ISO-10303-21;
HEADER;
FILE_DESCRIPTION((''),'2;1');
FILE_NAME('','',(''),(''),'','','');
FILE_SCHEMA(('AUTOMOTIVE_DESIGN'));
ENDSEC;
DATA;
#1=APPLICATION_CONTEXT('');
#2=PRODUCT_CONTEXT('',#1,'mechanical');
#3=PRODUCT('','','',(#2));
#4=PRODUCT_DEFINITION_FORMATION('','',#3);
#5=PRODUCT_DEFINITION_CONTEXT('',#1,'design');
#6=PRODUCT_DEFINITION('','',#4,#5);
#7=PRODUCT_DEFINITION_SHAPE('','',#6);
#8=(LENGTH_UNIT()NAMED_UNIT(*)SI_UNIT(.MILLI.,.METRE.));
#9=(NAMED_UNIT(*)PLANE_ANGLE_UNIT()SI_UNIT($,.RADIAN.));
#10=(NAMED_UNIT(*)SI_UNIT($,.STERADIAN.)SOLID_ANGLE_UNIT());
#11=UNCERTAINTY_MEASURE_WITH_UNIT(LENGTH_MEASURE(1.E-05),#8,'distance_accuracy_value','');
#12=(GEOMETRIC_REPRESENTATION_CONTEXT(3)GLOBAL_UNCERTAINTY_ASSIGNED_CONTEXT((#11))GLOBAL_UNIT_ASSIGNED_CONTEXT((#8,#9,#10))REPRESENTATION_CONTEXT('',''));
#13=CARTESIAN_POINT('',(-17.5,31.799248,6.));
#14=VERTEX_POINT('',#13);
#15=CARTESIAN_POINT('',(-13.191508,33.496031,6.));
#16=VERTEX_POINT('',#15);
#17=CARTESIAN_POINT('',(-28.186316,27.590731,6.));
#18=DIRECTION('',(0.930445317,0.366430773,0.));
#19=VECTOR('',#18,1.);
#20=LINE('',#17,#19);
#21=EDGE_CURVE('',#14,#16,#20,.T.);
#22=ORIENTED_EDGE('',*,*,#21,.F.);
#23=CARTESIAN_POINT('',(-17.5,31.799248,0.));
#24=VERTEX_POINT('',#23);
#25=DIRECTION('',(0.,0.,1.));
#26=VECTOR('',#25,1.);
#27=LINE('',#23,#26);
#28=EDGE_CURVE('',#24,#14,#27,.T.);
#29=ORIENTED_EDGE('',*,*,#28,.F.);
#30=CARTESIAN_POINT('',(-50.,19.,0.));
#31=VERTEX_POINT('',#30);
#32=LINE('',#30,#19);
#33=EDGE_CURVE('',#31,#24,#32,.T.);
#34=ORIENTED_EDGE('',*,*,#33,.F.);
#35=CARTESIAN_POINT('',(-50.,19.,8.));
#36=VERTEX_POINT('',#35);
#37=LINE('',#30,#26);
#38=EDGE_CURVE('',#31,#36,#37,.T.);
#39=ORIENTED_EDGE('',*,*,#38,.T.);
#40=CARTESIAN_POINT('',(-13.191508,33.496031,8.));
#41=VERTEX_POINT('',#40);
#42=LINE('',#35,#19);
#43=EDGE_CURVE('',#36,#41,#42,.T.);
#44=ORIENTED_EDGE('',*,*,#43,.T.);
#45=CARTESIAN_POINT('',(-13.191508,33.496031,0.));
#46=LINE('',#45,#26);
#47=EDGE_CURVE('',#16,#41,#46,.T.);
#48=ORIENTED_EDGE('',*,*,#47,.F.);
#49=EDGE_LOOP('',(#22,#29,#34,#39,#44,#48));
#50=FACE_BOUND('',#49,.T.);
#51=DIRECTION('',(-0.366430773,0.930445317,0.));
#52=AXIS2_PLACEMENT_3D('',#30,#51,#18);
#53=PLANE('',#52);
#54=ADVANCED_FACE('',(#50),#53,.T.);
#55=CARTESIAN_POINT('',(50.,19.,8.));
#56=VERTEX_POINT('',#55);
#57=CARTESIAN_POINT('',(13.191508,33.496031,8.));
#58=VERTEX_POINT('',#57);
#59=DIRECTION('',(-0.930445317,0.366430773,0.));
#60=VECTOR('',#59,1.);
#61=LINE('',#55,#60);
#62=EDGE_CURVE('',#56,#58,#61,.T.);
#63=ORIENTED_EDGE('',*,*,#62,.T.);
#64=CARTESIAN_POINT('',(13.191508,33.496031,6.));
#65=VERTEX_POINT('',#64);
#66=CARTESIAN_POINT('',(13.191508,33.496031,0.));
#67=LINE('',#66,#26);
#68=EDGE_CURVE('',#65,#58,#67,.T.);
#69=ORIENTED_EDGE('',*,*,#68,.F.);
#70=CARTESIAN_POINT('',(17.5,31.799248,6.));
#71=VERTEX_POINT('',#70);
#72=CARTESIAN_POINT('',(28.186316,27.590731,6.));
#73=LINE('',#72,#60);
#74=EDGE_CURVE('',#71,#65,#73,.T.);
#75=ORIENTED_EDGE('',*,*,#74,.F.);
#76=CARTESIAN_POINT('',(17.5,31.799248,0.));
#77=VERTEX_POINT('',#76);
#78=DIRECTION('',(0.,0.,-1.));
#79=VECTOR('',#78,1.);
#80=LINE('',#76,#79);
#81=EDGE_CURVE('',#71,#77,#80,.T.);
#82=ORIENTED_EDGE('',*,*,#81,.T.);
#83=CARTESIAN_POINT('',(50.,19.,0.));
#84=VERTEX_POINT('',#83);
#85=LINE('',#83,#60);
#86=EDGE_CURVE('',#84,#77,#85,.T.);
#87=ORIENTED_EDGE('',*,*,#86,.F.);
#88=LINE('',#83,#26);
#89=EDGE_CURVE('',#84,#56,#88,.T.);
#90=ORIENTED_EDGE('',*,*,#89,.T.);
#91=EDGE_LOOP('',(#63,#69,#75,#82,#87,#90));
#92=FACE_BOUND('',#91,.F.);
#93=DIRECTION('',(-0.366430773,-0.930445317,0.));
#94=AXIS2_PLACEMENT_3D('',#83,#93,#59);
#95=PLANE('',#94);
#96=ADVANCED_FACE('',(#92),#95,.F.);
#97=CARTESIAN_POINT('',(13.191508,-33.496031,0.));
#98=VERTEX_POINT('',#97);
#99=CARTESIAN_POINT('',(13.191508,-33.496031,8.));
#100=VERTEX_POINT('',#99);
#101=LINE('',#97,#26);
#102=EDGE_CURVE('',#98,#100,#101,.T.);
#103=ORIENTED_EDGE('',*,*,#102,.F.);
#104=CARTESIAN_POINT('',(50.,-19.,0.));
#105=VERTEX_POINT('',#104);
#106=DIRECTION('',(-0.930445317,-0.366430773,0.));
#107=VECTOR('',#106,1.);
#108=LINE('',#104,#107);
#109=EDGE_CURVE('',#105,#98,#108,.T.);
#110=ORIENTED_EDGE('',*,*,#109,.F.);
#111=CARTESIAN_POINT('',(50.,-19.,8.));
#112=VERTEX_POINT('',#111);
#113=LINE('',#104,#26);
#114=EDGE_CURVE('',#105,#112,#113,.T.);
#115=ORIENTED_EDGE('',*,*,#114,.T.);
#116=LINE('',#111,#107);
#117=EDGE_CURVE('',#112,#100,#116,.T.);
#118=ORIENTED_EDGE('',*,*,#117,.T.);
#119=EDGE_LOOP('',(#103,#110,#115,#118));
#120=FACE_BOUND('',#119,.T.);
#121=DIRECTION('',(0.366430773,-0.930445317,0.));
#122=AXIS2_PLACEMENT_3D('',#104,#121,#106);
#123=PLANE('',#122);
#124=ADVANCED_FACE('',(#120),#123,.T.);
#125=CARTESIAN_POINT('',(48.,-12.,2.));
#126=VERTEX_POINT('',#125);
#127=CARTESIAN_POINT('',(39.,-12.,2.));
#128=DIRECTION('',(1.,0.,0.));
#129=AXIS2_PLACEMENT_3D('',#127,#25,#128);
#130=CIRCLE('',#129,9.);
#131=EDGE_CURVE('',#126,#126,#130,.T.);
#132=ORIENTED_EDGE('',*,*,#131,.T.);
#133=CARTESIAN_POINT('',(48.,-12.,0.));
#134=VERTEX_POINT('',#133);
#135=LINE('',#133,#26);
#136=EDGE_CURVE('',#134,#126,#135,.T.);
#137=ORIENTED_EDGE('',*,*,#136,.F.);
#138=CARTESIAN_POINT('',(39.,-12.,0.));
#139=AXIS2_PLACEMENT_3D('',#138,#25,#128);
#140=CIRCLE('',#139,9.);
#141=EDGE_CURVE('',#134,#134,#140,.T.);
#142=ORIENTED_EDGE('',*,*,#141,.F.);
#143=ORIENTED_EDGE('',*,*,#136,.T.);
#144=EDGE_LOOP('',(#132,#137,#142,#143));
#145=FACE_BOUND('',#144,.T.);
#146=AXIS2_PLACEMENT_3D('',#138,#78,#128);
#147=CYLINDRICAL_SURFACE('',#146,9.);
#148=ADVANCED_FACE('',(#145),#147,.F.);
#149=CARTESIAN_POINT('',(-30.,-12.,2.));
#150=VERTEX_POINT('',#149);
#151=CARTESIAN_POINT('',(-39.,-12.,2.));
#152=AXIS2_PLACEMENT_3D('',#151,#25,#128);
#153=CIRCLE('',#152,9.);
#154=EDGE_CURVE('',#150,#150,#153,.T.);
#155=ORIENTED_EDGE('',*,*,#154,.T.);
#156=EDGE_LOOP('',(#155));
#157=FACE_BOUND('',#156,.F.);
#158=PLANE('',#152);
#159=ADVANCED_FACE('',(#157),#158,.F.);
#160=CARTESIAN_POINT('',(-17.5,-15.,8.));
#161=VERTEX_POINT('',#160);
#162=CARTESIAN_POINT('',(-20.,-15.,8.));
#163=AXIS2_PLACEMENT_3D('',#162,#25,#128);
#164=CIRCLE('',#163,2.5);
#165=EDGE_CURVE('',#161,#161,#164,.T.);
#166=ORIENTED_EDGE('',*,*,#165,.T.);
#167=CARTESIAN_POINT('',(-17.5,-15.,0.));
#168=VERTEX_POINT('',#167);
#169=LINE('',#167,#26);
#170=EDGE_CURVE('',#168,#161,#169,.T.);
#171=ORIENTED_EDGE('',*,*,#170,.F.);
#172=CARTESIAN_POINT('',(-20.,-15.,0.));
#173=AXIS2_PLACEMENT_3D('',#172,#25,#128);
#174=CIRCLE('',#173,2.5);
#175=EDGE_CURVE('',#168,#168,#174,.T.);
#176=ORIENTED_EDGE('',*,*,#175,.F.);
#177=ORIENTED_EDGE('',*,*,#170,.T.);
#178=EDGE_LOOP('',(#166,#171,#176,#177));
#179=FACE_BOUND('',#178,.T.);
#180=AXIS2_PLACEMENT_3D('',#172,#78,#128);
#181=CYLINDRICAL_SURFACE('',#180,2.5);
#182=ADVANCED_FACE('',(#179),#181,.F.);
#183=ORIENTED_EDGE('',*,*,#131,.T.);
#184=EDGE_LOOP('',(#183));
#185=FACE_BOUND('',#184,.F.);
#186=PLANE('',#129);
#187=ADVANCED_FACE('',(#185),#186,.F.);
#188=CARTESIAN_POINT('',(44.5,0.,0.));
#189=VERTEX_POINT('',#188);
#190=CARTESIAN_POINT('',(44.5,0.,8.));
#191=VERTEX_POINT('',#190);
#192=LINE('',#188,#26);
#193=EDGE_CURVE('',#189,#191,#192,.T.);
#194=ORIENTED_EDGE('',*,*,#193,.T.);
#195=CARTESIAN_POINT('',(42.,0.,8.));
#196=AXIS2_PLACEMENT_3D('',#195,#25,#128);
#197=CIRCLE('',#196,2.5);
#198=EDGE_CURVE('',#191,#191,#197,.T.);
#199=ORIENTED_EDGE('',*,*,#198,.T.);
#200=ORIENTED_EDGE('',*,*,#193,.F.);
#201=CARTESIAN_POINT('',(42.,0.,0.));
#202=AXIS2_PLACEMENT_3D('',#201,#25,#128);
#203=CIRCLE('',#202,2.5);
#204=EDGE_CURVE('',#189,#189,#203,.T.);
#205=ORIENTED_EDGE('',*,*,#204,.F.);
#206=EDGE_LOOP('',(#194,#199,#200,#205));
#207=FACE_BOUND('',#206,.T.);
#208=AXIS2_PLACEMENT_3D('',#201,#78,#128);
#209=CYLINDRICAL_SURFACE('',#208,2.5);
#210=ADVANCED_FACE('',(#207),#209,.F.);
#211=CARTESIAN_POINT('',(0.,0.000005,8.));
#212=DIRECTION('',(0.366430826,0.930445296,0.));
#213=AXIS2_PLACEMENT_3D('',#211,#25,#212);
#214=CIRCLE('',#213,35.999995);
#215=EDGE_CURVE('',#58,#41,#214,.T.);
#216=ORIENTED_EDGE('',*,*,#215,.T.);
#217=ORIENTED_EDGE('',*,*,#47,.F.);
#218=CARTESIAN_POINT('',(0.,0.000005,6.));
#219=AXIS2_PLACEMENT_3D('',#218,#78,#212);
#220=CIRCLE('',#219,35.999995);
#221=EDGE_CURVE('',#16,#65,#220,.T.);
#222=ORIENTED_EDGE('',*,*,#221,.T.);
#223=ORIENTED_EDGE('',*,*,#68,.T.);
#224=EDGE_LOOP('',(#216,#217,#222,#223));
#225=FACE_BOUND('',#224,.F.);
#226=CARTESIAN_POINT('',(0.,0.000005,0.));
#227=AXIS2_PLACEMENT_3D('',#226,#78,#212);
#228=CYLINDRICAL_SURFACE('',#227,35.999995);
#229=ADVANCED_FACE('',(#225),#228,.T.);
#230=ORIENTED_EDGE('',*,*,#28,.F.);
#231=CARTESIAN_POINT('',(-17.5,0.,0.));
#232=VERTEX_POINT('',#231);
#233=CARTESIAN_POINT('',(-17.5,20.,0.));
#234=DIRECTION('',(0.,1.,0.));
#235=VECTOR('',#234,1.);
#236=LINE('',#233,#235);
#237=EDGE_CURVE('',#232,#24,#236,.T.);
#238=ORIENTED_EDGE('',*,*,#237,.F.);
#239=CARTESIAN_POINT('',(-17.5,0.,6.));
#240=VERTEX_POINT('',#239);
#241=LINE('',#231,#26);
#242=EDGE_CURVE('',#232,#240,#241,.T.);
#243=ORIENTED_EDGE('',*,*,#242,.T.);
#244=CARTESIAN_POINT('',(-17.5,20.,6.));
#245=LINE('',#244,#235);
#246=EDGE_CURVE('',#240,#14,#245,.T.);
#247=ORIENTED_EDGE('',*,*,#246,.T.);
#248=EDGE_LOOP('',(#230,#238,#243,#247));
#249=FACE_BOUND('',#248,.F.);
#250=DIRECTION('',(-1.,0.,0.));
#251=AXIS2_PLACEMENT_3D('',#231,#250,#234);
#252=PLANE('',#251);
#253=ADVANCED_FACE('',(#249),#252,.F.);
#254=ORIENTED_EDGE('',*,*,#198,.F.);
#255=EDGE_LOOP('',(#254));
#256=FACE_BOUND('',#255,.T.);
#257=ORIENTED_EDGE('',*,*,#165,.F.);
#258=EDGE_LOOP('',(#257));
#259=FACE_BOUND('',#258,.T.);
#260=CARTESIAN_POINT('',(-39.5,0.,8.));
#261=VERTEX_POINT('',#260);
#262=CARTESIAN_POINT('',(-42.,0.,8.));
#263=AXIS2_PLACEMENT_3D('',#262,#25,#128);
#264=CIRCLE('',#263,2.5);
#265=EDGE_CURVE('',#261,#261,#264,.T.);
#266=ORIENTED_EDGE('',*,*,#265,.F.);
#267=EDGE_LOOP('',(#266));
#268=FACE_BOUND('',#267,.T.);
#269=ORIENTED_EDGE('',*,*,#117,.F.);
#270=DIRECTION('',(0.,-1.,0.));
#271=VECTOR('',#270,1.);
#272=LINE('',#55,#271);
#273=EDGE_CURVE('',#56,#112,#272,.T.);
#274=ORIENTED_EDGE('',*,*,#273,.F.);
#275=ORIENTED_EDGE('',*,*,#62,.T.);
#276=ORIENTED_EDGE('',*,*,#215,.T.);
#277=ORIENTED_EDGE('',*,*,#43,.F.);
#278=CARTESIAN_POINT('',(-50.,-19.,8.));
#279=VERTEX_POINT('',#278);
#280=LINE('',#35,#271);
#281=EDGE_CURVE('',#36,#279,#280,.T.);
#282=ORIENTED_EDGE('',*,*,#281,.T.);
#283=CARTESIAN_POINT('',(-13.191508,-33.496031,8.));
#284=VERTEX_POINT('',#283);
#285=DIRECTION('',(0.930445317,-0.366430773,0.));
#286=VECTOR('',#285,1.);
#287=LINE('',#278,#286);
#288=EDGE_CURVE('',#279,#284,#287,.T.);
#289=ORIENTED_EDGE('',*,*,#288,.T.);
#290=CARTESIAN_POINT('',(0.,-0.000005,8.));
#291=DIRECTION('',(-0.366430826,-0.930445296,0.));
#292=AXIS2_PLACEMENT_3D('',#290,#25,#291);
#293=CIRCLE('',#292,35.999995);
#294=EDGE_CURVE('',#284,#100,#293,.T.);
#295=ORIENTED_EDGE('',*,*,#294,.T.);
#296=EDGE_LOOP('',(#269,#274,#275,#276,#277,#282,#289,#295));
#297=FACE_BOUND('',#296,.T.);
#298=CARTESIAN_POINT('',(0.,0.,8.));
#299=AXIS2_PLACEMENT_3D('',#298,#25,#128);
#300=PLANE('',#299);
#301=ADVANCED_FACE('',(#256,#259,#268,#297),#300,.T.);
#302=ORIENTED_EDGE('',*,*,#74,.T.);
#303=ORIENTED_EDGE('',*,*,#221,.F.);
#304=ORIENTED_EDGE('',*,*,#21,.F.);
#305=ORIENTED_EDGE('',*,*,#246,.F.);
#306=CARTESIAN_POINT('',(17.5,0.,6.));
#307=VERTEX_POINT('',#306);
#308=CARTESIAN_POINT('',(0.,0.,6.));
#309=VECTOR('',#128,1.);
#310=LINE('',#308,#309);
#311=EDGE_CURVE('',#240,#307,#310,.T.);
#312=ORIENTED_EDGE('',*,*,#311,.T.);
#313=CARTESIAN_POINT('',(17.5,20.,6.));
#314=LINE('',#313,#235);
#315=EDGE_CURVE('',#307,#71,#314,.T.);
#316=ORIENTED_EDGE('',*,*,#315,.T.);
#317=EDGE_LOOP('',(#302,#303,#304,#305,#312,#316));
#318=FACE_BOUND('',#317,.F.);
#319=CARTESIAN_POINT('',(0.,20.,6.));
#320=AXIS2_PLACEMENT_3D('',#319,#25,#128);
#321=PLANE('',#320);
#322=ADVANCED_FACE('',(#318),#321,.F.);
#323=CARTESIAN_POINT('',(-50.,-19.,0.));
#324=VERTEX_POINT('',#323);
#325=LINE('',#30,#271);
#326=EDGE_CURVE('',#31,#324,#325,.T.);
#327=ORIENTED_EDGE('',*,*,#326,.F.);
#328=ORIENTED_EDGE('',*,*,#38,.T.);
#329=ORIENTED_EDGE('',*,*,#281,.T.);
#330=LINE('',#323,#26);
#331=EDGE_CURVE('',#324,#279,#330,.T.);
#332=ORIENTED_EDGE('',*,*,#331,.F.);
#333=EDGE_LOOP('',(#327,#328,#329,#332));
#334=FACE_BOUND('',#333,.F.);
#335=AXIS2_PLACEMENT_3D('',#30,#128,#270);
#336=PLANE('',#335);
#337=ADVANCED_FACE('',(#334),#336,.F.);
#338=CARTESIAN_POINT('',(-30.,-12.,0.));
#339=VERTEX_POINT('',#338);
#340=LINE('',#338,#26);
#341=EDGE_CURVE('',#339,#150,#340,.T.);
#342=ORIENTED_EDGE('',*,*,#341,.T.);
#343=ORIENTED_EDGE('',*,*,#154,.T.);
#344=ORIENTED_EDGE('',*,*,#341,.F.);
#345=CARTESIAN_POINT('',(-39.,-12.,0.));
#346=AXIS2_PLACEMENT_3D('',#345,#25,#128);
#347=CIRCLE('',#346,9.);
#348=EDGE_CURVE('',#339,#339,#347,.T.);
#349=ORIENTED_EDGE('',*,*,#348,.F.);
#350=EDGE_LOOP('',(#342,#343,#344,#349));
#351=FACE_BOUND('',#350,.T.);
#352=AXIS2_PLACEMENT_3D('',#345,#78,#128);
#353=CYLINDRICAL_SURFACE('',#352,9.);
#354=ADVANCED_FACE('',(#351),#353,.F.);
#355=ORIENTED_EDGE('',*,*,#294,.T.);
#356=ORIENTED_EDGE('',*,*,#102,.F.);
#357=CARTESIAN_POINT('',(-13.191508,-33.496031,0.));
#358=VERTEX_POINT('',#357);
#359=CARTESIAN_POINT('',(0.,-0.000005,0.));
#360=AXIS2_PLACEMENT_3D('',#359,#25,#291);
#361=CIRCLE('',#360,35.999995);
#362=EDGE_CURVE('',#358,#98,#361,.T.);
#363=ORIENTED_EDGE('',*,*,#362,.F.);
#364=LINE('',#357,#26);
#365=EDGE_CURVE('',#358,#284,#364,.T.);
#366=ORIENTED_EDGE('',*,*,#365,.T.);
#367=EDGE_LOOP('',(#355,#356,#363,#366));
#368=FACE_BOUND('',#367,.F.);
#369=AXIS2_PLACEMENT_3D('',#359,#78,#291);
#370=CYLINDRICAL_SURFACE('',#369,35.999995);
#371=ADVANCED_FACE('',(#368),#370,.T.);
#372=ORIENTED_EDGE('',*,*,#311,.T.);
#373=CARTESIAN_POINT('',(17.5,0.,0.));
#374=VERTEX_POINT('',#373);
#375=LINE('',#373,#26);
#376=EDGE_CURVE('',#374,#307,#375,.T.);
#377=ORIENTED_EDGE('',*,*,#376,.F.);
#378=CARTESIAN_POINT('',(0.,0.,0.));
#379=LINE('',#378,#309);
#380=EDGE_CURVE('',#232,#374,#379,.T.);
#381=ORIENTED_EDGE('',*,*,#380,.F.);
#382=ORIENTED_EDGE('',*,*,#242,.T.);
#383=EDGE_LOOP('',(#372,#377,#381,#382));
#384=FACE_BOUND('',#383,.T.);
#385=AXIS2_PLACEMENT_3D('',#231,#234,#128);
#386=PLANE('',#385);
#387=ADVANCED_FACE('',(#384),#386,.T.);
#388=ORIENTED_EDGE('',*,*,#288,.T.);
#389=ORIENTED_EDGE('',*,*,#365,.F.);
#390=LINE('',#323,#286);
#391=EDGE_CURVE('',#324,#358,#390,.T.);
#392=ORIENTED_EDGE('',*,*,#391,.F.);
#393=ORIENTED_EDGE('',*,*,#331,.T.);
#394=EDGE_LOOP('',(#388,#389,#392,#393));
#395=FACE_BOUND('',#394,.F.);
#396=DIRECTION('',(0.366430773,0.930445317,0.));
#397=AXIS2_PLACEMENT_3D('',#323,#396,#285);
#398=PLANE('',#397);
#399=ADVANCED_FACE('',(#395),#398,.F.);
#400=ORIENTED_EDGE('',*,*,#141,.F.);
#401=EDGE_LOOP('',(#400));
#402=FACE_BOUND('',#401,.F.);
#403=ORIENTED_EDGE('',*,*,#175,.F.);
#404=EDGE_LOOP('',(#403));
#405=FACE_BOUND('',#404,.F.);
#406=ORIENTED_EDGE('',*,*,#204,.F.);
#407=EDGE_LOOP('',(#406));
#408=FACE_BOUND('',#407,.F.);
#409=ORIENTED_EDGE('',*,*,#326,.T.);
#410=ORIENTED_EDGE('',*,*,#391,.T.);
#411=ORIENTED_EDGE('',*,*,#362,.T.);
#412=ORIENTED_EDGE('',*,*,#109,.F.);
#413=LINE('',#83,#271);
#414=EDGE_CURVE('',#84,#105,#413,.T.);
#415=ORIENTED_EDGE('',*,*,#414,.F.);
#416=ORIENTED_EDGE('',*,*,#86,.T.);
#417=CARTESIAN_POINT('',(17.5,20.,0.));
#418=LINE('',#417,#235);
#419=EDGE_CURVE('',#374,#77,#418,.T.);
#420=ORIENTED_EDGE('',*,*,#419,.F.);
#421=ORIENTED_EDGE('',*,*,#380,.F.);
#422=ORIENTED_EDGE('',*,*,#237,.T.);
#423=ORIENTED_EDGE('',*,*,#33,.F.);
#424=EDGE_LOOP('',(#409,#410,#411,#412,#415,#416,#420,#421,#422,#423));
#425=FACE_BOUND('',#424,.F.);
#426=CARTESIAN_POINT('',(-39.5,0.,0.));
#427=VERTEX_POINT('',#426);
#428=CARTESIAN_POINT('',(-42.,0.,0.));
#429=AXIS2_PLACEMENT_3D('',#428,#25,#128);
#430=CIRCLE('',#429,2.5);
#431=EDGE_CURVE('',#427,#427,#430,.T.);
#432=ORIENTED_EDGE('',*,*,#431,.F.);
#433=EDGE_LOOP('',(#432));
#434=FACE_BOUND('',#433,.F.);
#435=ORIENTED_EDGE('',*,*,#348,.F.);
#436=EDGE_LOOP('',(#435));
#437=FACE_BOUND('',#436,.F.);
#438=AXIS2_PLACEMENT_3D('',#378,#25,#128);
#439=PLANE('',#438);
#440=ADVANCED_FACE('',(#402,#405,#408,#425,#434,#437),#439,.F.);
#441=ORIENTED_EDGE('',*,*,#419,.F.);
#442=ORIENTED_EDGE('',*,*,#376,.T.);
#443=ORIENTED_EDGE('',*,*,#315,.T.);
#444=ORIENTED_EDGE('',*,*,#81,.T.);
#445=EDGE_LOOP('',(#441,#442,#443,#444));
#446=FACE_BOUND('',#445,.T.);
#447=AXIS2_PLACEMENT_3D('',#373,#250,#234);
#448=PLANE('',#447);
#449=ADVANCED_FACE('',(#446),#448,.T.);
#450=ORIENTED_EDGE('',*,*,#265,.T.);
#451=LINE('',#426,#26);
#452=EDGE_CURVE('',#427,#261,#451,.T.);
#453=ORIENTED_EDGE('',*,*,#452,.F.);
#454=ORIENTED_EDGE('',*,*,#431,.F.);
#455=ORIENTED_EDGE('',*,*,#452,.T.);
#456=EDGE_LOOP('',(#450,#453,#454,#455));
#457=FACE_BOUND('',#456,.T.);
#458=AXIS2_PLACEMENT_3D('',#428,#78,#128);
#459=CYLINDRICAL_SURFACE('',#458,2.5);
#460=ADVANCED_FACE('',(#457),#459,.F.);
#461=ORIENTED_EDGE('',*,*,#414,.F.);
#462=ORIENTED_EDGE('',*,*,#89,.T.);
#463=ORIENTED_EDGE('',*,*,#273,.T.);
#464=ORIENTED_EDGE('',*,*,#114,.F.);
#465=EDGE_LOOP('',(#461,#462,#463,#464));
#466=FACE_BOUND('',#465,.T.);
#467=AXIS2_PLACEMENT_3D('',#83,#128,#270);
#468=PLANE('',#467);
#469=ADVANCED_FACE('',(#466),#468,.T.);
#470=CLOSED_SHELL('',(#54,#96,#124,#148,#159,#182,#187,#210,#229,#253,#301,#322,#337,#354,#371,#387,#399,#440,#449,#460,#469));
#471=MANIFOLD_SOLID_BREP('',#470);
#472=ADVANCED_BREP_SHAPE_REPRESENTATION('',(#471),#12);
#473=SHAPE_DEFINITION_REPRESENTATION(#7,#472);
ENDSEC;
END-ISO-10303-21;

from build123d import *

# Parameters (mm, degrees)
SKETCH002_R      = 9
EXTRUDE002_DEPTH = 2
SKETCH001_W      = 35
SKETCH001_H      = 40
EXTRUDE001_DEPTH = 6
SKETCH_R         = 2.5
EXTRUDE_DEPTH    = 8


with BuildPart() as extrude002:
    # Sketch002 (on Sketch) → Extrude002 (new body)
    with BuildSketch(Plane.XY):
        with Locations((-39, -12)):
            Circle(SKETCH002_R)
        with Locations((39, -12)):
            Circle(SKETCH002_R)
    extrude(amount=EXTRUDE002_DEPTH)


with BuildPart() as extrude_handle_notch:
    # Sketch001 → Extrude001 (new body)
    with BuildSketch(Plane.XY):
        with Locations((0, 20)):
            Rectangle(SKETCH001_W, SKETCH001_H)
    extrude(amount=EXTRUDE001_DEPTH)


with BuildPart() as cut001:
    # Sketch → Extrude (new body)
    with BuildSketch(Plane.XY):
        with BuildLine():
            Line((-50, 19), (-50, -19))
            Line((-50, -19), (-13.191508, -33.496031))
            ThreePointArc((-13.191508, -33.496031), (0, -36), (13.191508, -33.496031))
            Line((50, -19), (13.191508, -33.496031))
            Line((50, 19), (50, -19))
            Line((50, 19), (13.191508, 33.496031))
            ThreePointArc((13.191508, 33.496031), (0, 36), (-13.191508, 33.496031))
            Line((-50, 19), (-13.191508, 33.496031))
        make_face()
        with Locations((-42, 0)):
            Circle(SKETCH_R, mode=Mode.SUBTRACT)
        with Locations((42, 0)):
            Circle(SKETCH_R, mode=Mode.SUBTRACT)
        with Locations((-20, -15)):
            Circle(SKETCH_R, mode=Mode.SUBTRACT)
    extrude(amount=EXTRUDE_DEPTH)

    # Cut: cut Extrude Handle Notch
    add(extrude_handle_notch.part, mode=Mode.SUBTRACT)

    # Cut001: cut Extrude002
    add(extrude002.part, mode=Mode.SUBTRACT)


solid = cut001.part
